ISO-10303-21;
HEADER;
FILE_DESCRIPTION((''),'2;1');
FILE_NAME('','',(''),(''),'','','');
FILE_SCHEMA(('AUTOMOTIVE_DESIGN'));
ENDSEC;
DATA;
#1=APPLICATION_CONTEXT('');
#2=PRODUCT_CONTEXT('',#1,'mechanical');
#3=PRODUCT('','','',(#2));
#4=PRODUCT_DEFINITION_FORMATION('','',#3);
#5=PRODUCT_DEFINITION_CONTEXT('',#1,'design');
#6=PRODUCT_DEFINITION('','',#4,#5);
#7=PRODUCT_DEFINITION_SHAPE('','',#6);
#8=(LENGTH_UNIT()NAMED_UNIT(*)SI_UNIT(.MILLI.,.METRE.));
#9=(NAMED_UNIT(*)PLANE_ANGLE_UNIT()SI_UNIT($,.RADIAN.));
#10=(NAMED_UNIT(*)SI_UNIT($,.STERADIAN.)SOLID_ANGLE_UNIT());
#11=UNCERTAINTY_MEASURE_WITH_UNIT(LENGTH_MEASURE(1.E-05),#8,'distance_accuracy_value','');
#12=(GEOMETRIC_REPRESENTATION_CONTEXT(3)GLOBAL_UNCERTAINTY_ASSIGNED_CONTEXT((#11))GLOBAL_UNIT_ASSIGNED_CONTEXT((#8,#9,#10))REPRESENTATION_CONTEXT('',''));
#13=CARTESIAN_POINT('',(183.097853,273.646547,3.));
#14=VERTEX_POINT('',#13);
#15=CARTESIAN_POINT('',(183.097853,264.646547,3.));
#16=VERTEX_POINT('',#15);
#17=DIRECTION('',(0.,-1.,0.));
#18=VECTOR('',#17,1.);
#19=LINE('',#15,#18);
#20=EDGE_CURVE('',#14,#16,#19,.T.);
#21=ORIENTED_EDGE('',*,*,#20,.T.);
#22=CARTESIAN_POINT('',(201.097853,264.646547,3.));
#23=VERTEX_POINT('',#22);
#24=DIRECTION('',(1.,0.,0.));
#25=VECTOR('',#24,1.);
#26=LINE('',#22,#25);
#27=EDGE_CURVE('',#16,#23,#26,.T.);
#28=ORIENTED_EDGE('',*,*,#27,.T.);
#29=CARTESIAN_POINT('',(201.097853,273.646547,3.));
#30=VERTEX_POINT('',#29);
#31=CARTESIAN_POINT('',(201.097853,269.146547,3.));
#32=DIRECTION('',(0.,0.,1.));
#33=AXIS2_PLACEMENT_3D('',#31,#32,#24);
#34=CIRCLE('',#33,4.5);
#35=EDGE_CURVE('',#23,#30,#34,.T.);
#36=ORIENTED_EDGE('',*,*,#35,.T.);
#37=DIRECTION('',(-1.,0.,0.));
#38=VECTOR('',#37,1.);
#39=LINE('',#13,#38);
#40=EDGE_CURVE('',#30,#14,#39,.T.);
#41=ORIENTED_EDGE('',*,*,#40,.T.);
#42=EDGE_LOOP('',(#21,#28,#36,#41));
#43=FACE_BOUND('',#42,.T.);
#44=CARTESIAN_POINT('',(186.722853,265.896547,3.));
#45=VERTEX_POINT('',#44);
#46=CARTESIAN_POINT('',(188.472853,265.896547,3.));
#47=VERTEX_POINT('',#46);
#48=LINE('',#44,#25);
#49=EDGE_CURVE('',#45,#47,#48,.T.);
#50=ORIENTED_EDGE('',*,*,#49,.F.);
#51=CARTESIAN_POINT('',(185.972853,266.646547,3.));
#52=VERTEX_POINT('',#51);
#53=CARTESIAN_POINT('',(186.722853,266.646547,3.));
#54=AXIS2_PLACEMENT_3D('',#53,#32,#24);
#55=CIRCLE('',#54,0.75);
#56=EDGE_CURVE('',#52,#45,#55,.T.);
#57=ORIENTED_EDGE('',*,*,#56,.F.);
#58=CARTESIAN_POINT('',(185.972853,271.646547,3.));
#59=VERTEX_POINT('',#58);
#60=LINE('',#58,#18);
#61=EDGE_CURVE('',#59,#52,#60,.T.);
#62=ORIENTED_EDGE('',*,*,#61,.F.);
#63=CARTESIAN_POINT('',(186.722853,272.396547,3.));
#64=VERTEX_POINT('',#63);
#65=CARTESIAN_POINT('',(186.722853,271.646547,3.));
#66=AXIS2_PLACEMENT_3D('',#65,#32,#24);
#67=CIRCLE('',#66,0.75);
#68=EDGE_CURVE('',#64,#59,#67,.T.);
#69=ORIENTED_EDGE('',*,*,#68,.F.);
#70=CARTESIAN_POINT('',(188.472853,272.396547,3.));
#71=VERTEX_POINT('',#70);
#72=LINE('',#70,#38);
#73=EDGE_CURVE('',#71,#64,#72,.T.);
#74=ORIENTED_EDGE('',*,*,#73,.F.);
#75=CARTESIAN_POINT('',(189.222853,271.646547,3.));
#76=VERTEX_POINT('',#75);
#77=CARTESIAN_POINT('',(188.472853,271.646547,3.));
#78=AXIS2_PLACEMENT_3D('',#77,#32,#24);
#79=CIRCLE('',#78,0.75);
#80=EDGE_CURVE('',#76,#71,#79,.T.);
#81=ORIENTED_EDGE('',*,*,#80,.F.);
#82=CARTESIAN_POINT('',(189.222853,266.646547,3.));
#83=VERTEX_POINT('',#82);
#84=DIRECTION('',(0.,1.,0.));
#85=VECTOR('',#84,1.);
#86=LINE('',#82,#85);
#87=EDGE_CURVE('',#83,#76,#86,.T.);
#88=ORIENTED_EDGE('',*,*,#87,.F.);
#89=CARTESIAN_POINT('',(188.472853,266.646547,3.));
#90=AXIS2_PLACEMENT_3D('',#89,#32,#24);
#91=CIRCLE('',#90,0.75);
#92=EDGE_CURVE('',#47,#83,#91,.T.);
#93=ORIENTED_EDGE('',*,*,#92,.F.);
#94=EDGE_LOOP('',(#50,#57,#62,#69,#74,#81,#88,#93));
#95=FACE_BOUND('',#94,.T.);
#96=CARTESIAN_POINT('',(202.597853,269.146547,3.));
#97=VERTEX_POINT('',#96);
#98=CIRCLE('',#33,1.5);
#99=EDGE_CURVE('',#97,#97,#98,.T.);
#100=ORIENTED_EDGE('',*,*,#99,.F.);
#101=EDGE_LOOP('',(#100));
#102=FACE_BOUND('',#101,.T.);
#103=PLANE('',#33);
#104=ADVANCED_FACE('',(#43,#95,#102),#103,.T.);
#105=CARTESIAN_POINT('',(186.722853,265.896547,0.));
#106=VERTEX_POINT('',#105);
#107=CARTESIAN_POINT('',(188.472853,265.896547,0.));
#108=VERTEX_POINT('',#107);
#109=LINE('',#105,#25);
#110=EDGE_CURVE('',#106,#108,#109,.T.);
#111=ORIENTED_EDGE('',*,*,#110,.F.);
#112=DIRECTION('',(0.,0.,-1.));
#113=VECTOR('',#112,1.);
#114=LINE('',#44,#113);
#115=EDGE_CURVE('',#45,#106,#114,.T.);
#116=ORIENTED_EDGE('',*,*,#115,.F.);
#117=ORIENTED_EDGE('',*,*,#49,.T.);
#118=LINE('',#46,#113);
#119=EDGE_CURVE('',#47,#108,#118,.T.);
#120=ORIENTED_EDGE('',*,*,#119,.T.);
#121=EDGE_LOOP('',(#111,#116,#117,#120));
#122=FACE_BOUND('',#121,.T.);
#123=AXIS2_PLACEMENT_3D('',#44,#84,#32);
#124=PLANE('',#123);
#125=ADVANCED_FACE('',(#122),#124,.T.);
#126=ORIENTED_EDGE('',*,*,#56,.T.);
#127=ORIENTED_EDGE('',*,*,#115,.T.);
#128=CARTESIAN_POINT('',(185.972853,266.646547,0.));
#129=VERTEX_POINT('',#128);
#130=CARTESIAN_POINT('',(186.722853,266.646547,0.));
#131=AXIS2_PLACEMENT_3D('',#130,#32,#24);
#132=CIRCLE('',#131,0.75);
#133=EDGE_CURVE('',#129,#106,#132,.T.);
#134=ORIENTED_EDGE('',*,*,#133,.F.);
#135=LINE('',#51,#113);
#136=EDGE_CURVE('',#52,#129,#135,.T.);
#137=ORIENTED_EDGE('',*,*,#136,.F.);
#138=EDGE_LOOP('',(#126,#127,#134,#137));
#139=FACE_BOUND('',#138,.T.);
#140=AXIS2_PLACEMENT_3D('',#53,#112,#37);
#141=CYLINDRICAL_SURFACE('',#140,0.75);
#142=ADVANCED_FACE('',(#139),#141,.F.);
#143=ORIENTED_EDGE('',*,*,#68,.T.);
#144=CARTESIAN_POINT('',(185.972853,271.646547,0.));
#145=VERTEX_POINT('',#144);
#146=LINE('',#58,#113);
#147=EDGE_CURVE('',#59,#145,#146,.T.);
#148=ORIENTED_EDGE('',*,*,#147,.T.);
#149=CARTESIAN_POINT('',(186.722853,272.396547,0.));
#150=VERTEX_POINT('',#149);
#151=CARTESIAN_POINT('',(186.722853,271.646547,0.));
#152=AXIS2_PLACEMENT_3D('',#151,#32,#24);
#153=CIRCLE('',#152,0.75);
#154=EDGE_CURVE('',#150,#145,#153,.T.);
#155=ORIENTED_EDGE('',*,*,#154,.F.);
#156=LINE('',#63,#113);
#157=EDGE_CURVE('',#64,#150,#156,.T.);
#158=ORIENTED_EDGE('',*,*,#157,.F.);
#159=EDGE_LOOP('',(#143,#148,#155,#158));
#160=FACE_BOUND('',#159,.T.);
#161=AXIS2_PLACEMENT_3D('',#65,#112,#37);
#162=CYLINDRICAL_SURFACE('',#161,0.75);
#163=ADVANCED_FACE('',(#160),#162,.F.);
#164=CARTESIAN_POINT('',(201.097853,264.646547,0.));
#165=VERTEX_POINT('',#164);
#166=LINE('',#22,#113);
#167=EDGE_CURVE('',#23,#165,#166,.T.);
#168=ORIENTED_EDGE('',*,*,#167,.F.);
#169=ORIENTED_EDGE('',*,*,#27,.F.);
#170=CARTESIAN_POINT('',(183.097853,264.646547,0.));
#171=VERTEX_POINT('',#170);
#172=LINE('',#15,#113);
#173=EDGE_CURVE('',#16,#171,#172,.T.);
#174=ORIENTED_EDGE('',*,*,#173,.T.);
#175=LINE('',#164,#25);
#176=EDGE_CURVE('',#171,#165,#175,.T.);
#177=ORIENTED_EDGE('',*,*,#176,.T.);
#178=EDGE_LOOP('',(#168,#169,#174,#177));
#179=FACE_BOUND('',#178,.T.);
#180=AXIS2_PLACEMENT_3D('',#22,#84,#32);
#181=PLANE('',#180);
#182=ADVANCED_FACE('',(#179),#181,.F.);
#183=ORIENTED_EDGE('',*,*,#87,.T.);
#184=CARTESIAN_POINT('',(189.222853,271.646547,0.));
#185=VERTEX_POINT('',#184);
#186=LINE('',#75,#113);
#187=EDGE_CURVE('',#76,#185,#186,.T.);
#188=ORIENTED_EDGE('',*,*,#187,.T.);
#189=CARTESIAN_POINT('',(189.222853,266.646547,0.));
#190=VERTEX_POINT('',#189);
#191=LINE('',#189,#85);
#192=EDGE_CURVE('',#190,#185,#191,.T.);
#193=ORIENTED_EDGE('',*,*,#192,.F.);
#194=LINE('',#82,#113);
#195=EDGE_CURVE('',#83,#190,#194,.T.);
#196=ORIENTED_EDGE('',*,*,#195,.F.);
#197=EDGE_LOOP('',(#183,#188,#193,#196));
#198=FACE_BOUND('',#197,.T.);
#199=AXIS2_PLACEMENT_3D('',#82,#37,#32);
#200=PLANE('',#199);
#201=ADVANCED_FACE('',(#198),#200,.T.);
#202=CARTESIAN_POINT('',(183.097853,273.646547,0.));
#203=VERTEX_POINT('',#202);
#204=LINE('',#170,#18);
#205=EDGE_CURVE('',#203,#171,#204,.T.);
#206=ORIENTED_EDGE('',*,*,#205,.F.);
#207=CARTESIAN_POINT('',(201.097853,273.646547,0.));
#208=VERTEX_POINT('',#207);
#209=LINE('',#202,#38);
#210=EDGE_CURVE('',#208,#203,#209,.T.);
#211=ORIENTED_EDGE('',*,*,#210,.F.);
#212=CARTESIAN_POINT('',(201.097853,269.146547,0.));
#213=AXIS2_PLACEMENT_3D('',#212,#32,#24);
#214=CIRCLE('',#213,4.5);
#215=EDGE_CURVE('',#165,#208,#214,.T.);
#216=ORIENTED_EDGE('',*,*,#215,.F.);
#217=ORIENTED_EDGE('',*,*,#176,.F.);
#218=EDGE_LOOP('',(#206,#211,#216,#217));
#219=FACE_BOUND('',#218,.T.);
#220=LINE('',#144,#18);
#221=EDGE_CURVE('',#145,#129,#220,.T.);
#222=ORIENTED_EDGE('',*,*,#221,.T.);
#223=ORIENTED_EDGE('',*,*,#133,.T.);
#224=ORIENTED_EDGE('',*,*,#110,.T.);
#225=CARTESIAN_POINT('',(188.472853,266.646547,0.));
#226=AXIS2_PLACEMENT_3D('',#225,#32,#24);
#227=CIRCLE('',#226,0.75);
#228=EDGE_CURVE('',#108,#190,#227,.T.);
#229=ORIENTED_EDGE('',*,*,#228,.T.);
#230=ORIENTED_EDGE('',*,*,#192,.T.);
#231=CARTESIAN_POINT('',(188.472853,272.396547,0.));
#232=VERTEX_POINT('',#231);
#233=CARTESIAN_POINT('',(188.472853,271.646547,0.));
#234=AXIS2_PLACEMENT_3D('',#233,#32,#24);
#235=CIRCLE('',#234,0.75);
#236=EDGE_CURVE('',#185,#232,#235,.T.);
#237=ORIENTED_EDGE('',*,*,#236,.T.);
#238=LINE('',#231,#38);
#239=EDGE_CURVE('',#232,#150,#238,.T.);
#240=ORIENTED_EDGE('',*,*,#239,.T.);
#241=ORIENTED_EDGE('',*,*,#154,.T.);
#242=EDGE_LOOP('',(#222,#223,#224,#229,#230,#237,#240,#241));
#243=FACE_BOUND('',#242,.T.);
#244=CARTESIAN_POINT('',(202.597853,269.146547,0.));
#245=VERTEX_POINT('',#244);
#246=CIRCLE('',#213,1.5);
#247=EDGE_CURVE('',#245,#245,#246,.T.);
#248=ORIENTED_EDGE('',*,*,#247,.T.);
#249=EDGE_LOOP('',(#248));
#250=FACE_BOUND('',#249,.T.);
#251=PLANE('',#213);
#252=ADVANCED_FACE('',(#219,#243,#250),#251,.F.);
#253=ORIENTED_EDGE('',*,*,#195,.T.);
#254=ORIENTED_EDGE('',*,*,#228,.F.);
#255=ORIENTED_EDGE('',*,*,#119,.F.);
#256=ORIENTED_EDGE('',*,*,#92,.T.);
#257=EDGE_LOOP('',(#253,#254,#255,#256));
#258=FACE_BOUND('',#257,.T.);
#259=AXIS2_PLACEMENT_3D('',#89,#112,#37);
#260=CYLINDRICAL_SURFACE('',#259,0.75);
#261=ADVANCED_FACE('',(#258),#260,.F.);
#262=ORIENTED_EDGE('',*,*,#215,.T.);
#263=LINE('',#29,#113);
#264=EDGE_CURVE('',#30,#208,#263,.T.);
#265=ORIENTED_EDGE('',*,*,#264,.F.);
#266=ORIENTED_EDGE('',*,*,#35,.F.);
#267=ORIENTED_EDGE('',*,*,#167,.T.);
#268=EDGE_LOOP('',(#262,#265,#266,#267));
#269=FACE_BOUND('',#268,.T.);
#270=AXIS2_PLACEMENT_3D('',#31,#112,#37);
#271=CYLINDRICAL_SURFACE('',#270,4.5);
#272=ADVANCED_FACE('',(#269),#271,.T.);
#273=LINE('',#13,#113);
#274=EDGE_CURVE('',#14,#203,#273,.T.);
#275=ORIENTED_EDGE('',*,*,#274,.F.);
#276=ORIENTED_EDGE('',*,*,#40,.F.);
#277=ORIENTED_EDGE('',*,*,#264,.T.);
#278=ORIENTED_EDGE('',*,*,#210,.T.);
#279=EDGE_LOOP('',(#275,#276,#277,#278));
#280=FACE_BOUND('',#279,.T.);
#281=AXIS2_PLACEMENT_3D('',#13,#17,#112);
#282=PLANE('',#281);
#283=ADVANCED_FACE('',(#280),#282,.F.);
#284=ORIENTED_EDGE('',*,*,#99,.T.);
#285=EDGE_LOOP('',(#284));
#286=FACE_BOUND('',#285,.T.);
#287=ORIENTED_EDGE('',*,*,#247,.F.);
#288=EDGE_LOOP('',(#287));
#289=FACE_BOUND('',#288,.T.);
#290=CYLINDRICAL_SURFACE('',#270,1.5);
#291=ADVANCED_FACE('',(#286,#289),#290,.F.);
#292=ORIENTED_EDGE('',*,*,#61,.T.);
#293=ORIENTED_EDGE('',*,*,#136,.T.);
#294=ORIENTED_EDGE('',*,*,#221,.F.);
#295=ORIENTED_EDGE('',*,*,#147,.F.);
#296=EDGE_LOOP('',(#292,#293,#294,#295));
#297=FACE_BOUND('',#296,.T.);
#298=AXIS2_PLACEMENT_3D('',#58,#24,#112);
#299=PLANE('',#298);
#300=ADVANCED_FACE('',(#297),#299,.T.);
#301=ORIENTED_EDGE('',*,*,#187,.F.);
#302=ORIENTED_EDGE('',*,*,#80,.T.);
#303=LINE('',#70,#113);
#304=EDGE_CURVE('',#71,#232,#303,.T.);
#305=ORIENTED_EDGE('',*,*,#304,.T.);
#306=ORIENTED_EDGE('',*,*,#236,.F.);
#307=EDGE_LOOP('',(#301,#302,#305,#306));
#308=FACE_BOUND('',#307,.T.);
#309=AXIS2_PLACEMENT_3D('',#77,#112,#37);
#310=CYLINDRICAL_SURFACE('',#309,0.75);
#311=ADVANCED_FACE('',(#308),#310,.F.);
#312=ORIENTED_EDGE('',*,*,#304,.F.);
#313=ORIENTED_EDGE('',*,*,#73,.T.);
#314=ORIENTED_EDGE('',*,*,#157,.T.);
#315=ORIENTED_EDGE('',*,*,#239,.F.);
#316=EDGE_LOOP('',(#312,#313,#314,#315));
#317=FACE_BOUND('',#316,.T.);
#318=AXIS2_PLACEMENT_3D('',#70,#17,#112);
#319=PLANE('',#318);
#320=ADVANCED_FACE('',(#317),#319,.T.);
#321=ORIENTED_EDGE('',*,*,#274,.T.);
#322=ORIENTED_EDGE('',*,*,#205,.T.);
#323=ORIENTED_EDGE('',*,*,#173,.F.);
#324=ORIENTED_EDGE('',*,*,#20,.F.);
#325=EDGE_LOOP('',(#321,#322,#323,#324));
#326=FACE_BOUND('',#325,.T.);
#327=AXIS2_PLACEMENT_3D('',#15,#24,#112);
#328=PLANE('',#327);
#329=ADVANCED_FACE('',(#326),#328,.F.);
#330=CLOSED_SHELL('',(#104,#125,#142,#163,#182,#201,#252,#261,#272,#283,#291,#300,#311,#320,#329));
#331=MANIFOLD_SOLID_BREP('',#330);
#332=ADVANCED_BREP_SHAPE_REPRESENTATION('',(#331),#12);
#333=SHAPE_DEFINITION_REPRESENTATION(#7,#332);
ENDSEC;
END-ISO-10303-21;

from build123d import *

# Parameters (mm, degrees)
MODEL_R                 = 1.5
SALIENTE_EXTRUIR1_DEPTH = 3


with BuildPart() as part:
    # Model → Saliente-Extruir1 (new body)
    with BuildSketch(Plane.XY):
        with BuildLine():
            Line((183.097853309, 273.646547335), (201.097853309, 273.646547335))
            ThreePointArc((201.097853309, 273.646547335), (205.597853309, 269.146547335), (201.097853309, 264.646547335))
            Line((201.097853309, 264.646547335), (183.097853309, 264.646547335))
            Line((183.097853309, 264.646547335), (183.097853309, 273.646547335))
        make_face()
        with Locations((201.097853309, 269.146547335)):
            Circle(MODEL_R, mode=Mode.SUBTRACT)
        with BuildLine():
            Line((186.722853309, 265.896547335), (188.472853309, 265.896547335))
            ThreePointArc((188.472853309, 265.896547335), (189.003183395, 266.116217249), (189.222853309, 266.646547335))
            Line((189.222853309, 266.646547335), (189.222853309, 271.646547335))
            ThreePointArc((189.222853309, 271.646547335), (189.003183395, 272.176877421), (188.472853309, 272.396547335))
            Line((188.472853309, 272.396547335), (186.722853309, 272.396547335))
            ThreePointArc((186.722853309, 272.396547335), (186.192523223, 272.176877421), (185.972853309, 271.646547335))
            Line((185.972853309, 271.646547335), (185.972853309, 266.646547335))
            ThreePointArc((185.972853309, 266.646547335), (186.192523223, 266.116217249), (186.722853309, 265.896547335))
        make_face(mode=Mode.SUBTRACT)
    extrude(amount=SALIENTE_EXTRUIR1_DEPTH)


solid = part.part
